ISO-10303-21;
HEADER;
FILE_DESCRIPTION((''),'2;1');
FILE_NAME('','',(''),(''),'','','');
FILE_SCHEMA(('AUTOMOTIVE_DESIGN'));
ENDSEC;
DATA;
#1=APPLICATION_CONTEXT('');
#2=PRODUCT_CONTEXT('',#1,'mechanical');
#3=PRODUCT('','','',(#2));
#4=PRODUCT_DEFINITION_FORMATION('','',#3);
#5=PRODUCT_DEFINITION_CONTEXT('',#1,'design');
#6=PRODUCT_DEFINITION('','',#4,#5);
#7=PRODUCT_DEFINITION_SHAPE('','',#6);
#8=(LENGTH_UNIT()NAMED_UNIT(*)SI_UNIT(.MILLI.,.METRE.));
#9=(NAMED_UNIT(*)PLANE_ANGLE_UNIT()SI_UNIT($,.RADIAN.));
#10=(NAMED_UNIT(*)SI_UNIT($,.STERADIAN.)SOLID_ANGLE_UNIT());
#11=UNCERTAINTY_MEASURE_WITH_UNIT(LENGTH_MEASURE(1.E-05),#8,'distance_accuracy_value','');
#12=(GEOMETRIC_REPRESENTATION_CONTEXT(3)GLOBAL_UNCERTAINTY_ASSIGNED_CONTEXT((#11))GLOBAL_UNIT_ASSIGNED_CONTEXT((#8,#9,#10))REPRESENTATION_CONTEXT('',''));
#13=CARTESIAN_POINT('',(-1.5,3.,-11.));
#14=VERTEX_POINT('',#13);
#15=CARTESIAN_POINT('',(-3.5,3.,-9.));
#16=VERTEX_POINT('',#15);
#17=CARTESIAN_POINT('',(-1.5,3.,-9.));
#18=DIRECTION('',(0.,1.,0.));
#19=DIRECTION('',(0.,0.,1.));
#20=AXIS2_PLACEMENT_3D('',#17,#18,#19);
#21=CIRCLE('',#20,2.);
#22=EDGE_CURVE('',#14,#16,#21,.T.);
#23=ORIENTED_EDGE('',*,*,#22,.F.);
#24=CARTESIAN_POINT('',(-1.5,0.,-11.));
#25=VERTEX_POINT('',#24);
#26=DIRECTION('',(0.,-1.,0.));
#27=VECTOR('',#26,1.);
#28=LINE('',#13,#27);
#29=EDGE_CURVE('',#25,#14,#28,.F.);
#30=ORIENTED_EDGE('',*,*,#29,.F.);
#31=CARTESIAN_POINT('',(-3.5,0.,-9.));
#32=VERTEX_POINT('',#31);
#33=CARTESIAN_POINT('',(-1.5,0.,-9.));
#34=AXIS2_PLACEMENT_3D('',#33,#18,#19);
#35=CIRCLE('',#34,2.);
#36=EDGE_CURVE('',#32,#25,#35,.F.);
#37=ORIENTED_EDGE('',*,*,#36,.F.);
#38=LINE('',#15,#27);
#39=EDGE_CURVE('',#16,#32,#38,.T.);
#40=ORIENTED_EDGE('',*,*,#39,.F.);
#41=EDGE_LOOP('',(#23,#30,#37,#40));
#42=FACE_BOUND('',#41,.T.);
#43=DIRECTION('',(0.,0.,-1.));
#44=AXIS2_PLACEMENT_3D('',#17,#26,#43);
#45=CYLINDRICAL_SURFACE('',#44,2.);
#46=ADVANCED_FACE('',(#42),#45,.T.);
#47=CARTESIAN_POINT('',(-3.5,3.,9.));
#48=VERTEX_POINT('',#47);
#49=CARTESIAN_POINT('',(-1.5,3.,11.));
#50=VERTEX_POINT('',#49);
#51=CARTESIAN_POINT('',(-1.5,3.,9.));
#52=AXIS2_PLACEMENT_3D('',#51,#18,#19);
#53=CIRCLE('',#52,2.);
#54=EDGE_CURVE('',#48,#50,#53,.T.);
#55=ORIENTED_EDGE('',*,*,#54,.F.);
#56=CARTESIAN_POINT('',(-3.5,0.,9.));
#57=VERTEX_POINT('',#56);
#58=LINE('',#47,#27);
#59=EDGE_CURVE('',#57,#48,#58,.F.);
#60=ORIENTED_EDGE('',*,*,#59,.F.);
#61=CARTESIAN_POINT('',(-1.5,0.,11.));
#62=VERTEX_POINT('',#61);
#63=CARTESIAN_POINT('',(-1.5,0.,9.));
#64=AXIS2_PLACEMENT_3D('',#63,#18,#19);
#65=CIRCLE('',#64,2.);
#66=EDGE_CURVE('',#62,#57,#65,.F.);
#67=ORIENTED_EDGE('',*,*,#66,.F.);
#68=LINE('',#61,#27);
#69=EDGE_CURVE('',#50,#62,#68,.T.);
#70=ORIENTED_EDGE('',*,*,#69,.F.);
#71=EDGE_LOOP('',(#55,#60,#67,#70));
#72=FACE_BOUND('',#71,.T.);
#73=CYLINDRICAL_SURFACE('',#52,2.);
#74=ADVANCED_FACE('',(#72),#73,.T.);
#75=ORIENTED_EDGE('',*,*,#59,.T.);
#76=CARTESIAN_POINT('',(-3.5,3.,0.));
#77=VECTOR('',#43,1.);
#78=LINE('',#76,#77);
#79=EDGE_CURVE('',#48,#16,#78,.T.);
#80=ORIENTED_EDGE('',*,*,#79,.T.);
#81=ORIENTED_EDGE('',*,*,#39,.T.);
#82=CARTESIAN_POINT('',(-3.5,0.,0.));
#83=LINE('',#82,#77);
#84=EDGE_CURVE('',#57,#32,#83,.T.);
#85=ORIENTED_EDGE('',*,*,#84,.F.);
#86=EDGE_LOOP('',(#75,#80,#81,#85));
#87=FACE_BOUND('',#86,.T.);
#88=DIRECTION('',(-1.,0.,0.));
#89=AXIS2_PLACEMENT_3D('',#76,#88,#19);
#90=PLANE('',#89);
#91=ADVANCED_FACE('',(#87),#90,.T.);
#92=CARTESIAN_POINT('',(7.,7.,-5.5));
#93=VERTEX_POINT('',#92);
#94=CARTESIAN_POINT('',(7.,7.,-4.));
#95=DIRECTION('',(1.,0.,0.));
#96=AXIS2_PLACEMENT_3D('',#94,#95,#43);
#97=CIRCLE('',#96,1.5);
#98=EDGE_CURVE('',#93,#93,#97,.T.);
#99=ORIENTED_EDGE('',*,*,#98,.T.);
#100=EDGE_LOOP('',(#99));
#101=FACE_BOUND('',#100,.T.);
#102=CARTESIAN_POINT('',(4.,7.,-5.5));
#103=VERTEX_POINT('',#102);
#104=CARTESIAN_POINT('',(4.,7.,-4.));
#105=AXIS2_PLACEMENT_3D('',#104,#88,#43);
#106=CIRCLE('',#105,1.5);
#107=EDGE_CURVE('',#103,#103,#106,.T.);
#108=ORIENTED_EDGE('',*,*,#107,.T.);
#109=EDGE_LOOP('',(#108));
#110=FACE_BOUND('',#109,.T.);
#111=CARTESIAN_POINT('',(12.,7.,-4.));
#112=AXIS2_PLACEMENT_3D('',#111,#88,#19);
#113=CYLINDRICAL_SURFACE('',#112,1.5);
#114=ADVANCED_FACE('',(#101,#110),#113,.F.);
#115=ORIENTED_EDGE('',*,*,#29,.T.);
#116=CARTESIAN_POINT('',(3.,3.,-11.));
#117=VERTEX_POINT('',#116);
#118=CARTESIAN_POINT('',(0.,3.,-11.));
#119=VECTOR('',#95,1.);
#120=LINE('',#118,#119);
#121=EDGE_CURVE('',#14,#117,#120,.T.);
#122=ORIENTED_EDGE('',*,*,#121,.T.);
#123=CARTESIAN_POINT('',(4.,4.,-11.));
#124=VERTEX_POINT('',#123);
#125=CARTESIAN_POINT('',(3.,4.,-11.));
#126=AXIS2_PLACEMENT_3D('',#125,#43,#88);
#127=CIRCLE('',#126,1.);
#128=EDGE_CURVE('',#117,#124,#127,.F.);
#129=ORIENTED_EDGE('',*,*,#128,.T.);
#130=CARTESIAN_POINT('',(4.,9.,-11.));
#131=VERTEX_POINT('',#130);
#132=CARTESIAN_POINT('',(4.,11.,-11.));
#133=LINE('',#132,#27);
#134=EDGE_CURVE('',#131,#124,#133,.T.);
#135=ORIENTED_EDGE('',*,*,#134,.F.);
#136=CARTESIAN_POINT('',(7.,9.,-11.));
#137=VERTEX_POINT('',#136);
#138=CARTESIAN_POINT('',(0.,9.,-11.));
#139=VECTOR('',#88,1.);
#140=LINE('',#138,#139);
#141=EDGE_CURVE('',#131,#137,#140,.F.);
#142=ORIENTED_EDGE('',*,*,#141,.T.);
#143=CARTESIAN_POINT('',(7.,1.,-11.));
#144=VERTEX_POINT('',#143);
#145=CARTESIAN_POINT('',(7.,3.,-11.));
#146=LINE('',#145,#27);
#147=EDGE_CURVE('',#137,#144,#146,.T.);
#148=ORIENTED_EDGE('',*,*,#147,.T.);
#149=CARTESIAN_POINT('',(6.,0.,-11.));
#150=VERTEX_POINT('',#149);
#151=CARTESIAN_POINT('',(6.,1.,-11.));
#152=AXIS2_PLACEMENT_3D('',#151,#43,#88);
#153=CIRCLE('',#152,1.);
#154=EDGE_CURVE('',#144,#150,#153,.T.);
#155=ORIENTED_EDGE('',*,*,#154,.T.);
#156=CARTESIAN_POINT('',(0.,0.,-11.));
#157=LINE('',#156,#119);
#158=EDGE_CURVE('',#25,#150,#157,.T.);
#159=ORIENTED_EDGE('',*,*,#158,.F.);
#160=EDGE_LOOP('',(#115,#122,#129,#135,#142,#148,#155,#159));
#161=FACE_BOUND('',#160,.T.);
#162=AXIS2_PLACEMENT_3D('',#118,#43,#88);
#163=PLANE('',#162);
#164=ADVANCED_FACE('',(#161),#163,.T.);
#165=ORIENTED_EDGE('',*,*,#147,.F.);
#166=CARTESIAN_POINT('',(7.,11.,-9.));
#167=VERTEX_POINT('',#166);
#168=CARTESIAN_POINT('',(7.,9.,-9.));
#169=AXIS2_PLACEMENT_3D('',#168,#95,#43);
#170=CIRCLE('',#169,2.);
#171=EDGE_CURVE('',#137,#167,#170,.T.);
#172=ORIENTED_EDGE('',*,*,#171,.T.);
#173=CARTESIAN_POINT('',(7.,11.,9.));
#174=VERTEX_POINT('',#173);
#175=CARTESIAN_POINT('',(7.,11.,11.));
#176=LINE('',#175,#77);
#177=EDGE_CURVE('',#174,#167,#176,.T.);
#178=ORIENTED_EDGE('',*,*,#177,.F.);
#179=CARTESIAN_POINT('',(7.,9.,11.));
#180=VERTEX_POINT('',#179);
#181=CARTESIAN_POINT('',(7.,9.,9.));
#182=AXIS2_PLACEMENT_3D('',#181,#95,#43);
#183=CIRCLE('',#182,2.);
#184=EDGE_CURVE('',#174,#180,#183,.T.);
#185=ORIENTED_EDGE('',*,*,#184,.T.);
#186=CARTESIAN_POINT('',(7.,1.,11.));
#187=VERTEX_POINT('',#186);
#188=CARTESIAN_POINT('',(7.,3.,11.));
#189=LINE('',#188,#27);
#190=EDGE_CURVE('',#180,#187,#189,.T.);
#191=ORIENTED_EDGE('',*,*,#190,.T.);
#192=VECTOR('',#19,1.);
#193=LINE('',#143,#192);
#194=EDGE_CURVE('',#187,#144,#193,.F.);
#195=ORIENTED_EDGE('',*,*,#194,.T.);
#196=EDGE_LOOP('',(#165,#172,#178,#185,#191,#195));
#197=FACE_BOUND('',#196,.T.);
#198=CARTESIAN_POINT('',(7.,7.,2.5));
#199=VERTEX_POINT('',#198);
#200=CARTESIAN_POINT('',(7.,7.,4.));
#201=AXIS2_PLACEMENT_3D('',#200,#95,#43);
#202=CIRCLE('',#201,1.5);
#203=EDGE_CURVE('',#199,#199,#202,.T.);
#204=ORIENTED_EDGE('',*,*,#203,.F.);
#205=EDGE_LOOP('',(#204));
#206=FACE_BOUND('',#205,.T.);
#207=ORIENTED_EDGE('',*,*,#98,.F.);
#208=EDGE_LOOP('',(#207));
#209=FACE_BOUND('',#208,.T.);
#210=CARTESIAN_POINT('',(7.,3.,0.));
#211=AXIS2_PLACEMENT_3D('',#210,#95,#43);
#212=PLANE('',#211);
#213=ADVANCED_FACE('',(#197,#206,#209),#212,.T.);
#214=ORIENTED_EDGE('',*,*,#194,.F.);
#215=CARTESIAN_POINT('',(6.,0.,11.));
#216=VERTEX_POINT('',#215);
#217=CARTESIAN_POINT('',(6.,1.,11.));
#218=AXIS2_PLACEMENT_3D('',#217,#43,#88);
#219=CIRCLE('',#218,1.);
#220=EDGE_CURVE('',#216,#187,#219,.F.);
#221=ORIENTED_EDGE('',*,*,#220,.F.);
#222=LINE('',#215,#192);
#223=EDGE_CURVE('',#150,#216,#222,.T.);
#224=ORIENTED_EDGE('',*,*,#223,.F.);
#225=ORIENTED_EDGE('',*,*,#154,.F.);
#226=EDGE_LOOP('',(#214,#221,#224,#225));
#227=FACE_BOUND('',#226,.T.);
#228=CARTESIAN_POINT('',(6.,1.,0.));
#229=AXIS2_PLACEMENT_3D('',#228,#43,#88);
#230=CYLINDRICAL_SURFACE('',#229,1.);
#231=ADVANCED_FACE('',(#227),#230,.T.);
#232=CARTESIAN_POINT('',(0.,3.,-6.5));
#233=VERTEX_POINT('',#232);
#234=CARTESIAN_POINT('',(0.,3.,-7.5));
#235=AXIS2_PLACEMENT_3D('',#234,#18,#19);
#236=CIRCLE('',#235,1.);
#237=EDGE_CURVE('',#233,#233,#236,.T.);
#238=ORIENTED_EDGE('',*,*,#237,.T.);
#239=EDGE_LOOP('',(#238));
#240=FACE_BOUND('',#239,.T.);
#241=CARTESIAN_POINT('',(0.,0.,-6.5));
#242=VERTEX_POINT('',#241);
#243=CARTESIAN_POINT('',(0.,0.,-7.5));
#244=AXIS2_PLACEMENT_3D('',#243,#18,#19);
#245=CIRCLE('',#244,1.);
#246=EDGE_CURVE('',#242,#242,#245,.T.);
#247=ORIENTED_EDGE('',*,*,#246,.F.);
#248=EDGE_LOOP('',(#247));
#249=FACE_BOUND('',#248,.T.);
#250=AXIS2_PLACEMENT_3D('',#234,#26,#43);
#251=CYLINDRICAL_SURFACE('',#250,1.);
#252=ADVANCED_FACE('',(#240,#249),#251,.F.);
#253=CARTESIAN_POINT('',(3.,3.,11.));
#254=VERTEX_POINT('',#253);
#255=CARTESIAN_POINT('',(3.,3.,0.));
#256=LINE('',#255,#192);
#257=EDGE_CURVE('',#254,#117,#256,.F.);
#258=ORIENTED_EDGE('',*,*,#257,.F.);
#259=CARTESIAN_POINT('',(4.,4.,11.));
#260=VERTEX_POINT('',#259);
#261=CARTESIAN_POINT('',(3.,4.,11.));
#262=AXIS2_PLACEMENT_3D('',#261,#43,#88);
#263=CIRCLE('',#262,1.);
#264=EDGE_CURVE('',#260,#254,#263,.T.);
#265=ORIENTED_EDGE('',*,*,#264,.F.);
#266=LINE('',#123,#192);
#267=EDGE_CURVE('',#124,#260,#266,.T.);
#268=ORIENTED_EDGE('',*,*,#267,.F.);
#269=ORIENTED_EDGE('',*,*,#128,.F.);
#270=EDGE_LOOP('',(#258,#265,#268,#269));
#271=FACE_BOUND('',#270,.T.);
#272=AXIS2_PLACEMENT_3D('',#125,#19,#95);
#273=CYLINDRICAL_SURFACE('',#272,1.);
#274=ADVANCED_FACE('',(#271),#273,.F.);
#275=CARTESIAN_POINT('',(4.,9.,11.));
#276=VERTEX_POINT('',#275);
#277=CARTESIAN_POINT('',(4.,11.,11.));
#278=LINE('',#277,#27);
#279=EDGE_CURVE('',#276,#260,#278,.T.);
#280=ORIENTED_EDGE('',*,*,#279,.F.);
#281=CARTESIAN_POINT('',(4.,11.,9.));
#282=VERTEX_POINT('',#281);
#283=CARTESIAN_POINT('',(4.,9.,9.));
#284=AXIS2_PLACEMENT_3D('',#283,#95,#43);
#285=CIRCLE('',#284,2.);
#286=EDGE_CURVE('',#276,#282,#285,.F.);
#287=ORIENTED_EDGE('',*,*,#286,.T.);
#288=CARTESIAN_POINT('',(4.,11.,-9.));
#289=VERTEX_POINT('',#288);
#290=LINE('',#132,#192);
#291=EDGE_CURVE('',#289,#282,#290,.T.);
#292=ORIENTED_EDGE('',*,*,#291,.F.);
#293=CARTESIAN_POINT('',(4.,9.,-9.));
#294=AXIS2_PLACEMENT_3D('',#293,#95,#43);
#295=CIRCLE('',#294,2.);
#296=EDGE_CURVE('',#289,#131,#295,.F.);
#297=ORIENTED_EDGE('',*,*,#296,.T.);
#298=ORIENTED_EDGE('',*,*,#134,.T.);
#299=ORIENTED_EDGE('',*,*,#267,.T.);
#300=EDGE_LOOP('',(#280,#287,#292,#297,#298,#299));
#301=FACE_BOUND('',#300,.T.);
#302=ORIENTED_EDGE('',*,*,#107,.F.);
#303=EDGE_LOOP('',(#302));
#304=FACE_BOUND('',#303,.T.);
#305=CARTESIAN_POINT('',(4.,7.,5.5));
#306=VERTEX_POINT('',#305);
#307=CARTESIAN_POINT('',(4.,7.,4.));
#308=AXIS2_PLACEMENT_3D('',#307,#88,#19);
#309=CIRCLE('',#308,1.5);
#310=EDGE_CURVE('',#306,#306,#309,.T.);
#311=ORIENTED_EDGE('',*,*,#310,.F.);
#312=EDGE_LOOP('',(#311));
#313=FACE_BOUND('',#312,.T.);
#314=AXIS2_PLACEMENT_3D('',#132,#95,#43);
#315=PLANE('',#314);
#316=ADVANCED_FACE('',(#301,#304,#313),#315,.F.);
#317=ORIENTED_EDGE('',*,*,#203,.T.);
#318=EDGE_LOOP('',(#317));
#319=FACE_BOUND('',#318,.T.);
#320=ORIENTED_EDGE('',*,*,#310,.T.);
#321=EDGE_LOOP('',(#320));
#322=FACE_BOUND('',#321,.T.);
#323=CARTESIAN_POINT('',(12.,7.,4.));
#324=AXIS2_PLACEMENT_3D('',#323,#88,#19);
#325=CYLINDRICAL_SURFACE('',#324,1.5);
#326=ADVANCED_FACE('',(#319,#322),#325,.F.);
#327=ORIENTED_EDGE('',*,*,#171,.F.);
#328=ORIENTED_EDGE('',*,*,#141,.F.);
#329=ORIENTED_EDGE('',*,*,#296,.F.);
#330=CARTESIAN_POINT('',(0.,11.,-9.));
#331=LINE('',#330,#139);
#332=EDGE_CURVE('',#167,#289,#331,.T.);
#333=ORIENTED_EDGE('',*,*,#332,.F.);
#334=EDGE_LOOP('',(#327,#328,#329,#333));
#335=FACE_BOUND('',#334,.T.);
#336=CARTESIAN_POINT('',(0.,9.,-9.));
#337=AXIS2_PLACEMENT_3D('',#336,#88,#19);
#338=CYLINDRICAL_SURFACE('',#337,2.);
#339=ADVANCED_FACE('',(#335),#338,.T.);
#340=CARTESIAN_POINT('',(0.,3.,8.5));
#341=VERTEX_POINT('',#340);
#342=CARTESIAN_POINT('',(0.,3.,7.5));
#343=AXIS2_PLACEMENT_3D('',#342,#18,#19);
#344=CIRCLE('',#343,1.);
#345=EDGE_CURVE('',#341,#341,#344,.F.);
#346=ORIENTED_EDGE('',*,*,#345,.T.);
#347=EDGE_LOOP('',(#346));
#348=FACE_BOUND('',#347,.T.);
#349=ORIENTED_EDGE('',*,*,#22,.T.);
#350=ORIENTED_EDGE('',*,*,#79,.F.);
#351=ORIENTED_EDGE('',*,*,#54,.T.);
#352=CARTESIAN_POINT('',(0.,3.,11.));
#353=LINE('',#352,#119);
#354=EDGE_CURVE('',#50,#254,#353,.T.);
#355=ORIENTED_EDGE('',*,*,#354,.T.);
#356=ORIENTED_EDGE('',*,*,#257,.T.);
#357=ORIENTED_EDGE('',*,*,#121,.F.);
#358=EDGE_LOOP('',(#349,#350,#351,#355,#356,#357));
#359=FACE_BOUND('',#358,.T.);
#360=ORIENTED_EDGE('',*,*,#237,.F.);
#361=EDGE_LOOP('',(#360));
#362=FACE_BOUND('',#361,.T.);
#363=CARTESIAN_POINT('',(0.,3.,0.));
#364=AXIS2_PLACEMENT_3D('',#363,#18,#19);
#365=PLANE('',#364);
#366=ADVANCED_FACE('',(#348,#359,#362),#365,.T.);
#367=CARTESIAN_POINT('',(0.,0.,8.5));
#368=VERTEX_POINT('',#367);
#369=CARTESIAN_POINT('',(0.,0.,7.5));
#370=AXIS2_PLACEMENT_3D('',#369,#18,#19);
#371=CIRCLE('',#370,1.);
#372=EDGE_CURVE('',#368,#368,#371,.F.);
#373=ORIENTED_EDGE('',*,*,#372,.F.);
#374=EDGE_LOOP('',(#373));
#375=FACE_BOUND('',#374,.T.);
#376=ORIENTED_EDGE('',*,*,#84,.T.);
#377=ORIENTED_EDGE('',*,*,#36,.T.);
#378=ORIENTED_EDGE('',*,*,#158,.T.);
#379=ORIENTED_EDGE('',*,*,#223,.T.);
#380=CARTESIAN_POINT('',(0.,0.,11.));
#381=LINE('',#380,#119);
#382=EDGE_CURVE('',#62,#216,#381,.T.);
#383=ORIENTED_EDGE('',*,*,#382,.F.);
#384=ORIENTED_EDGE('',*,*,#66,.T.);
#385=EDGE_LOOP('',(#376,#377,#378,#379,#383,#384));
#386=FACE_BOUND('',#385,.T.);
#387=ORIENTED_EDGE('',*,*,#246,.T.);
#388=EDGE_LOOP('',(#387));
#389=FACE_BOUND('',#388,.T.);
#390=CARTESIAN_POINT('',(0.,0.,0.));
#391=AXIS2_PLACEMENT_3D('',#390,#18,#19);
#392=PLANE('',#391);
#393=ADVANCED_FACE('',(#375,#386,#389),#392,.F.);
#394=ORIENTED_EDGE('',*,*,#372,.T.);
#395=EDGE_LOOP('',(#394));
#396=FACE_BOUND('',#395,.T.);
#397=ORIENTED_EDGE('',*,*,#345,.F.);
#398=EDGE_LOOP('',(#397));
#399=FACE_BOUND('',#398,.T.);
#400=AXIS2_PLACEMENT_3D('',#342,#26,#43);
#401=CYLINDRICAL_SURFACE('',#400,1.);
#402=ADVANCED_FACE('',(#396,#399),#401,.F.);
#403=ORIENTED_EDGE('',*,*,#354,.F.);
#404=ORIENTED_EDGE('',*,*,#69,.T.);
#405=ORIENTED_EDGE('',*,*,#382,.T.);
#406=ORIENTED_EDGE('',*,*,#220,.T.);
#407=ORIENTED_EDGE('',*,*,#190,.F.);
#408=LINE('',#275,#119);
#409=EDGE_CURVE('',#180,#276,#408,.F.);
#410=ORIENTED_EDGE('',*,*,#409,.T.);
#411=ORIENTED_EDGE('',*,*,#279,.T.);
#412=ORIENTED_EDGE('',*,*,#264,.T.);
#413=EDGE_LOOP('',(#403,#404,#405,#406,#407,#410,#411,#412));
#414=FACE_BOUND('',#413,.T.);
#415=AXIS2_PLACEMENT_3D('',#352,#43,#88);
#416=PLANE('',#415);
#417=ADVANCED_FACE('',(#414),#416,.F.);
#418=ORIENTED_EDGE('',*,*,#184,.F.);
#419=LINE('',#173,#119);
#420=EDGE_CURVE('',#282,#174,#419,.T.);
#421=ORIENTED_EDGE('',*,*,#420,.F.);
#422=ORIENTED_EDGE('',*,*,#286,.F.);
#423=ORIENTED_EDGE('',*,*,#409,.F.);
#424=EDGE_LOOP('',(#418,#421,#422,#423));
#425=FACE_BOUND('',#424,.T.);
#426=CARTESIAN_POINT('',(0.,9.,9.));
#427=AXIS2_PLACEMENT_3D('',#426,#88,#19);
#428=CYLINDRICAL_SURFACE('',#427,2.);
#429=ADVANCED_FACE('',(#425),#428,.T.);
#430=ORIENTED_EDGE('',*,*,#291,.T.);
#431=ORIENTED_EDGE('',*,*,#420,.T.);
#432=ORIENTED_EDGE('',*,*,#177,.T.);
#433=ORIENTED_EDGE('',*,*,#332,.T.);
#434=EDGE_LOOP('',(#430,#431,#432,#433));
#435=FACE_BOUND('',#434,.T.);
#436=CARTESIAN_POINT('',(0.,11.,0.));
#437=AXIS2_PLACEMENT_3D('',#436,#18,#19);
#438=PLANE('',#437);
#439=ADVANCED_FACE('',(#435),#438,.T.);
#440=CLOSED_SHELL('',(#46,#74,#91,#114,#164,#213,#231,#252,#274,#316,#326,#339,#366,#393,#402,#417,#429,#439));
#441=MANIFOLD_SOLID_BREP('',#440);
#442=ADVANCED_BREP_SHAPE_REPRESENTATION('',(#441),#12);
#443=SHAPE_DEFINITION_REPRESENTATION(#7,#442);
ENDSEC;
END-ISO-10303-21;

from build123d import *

# Parameters (mm, degrees)
SKETCH_1_W          = 7
SKETCH_1_H          = 22
SKETCH_1_R          = 1
SKETCH_1_W_2        = 3.5
EXTRUDE_1_DEPTH     = 3
SKETCH_2_W          = 3
SKETCH_2_H          = 22
EXTRUDE_2_DEPTH     = 8
SKETCH_3_R          = 1.5
CUT_EXTRUDE_1_DEPTH = 8
FILLET_1_R          = 2
FILLET_2_R          = 1


with BuildPart() as part:
    # 草图1 → 凸台-拉伸1 (new body)
    # profile 1 of 2: a face of its own
    with BuildSketch(Plane(origin=(0, 0, 0), x_dir=(1, 0, 0), z_dir=(0, 1, 0))):
        Rectangle(SKETCH_1_W, SKETCH_1_H)
        with Locations(Location((0, 7.5, 0), (0, 0, 270))):
            Circle(SKETCH_1_R, mode=Mode.SUBTRACT)
        with Locations(Location((0, -7.5, 0), (0, 0, 270))):
            Circle(SKETCH_1_R, mode=Mode.SUBTRACT)
    # profile 2 of 2: a face of its own
    with BuildSketch(Plane(origin=(0, 0, 0), x_dir=(1, 0, 0), z_dir=(0, 1, 0))):
        with Locations((5.25, 0)):
            Rectangle(SKETCH_1_W_2, SKETCH_1_H)
    extrude(amount=EXTRUDE_1_DEPTH)

    # 草图2 → 凸台-拉伸2 (add)
    with BuildSketch(Plane(origin=(0, 3, 0), x_dir=(1, 0, 0), z_dir=(0, 1, 0))):
        with Locations((5.5, 0)):
            Rectangle(SKETCH_2_W, SKETCH_2_H)
    extrude(amount=EXTRUDE_2_DEPTH)

    # 草图3 → 切除-拉伸1 (cut)
    with BuildSketch(Plane.ZY.offset(-4)):
        with Locations((4, 7)):
            Circle(SKETCH_3_R)
        with Locations(Location((-4, 7, 0), (0, 0, 180))):
            Circle(SKETCH_3_R)
    extrude(amount=-CUT_EXTRUDE_1_DEPTH, mode=Mode.SUBTRACT)

    # 圆角1
    fillet_1_edges = [part.edges().sort_by_distance(p)[0] for p in [
        (-3.5, 1.5, 11),
        (-3.5, 1.5, -11),
        (5.5, 11, -11),
        (5.5, 11, 11),
    ]]
    fillet(fillet_1_edges, radius=FILLET_1_R)

    # 圆角2
    fillet_2_edges = [part.edges().sort_by_distance(p)[0] for p in [
        (7, 0, 0),
        (4, 3, 0),
    ]]
    fillet(fillet_2_edges, radius=FILLET_2_R)


solid = part.part
